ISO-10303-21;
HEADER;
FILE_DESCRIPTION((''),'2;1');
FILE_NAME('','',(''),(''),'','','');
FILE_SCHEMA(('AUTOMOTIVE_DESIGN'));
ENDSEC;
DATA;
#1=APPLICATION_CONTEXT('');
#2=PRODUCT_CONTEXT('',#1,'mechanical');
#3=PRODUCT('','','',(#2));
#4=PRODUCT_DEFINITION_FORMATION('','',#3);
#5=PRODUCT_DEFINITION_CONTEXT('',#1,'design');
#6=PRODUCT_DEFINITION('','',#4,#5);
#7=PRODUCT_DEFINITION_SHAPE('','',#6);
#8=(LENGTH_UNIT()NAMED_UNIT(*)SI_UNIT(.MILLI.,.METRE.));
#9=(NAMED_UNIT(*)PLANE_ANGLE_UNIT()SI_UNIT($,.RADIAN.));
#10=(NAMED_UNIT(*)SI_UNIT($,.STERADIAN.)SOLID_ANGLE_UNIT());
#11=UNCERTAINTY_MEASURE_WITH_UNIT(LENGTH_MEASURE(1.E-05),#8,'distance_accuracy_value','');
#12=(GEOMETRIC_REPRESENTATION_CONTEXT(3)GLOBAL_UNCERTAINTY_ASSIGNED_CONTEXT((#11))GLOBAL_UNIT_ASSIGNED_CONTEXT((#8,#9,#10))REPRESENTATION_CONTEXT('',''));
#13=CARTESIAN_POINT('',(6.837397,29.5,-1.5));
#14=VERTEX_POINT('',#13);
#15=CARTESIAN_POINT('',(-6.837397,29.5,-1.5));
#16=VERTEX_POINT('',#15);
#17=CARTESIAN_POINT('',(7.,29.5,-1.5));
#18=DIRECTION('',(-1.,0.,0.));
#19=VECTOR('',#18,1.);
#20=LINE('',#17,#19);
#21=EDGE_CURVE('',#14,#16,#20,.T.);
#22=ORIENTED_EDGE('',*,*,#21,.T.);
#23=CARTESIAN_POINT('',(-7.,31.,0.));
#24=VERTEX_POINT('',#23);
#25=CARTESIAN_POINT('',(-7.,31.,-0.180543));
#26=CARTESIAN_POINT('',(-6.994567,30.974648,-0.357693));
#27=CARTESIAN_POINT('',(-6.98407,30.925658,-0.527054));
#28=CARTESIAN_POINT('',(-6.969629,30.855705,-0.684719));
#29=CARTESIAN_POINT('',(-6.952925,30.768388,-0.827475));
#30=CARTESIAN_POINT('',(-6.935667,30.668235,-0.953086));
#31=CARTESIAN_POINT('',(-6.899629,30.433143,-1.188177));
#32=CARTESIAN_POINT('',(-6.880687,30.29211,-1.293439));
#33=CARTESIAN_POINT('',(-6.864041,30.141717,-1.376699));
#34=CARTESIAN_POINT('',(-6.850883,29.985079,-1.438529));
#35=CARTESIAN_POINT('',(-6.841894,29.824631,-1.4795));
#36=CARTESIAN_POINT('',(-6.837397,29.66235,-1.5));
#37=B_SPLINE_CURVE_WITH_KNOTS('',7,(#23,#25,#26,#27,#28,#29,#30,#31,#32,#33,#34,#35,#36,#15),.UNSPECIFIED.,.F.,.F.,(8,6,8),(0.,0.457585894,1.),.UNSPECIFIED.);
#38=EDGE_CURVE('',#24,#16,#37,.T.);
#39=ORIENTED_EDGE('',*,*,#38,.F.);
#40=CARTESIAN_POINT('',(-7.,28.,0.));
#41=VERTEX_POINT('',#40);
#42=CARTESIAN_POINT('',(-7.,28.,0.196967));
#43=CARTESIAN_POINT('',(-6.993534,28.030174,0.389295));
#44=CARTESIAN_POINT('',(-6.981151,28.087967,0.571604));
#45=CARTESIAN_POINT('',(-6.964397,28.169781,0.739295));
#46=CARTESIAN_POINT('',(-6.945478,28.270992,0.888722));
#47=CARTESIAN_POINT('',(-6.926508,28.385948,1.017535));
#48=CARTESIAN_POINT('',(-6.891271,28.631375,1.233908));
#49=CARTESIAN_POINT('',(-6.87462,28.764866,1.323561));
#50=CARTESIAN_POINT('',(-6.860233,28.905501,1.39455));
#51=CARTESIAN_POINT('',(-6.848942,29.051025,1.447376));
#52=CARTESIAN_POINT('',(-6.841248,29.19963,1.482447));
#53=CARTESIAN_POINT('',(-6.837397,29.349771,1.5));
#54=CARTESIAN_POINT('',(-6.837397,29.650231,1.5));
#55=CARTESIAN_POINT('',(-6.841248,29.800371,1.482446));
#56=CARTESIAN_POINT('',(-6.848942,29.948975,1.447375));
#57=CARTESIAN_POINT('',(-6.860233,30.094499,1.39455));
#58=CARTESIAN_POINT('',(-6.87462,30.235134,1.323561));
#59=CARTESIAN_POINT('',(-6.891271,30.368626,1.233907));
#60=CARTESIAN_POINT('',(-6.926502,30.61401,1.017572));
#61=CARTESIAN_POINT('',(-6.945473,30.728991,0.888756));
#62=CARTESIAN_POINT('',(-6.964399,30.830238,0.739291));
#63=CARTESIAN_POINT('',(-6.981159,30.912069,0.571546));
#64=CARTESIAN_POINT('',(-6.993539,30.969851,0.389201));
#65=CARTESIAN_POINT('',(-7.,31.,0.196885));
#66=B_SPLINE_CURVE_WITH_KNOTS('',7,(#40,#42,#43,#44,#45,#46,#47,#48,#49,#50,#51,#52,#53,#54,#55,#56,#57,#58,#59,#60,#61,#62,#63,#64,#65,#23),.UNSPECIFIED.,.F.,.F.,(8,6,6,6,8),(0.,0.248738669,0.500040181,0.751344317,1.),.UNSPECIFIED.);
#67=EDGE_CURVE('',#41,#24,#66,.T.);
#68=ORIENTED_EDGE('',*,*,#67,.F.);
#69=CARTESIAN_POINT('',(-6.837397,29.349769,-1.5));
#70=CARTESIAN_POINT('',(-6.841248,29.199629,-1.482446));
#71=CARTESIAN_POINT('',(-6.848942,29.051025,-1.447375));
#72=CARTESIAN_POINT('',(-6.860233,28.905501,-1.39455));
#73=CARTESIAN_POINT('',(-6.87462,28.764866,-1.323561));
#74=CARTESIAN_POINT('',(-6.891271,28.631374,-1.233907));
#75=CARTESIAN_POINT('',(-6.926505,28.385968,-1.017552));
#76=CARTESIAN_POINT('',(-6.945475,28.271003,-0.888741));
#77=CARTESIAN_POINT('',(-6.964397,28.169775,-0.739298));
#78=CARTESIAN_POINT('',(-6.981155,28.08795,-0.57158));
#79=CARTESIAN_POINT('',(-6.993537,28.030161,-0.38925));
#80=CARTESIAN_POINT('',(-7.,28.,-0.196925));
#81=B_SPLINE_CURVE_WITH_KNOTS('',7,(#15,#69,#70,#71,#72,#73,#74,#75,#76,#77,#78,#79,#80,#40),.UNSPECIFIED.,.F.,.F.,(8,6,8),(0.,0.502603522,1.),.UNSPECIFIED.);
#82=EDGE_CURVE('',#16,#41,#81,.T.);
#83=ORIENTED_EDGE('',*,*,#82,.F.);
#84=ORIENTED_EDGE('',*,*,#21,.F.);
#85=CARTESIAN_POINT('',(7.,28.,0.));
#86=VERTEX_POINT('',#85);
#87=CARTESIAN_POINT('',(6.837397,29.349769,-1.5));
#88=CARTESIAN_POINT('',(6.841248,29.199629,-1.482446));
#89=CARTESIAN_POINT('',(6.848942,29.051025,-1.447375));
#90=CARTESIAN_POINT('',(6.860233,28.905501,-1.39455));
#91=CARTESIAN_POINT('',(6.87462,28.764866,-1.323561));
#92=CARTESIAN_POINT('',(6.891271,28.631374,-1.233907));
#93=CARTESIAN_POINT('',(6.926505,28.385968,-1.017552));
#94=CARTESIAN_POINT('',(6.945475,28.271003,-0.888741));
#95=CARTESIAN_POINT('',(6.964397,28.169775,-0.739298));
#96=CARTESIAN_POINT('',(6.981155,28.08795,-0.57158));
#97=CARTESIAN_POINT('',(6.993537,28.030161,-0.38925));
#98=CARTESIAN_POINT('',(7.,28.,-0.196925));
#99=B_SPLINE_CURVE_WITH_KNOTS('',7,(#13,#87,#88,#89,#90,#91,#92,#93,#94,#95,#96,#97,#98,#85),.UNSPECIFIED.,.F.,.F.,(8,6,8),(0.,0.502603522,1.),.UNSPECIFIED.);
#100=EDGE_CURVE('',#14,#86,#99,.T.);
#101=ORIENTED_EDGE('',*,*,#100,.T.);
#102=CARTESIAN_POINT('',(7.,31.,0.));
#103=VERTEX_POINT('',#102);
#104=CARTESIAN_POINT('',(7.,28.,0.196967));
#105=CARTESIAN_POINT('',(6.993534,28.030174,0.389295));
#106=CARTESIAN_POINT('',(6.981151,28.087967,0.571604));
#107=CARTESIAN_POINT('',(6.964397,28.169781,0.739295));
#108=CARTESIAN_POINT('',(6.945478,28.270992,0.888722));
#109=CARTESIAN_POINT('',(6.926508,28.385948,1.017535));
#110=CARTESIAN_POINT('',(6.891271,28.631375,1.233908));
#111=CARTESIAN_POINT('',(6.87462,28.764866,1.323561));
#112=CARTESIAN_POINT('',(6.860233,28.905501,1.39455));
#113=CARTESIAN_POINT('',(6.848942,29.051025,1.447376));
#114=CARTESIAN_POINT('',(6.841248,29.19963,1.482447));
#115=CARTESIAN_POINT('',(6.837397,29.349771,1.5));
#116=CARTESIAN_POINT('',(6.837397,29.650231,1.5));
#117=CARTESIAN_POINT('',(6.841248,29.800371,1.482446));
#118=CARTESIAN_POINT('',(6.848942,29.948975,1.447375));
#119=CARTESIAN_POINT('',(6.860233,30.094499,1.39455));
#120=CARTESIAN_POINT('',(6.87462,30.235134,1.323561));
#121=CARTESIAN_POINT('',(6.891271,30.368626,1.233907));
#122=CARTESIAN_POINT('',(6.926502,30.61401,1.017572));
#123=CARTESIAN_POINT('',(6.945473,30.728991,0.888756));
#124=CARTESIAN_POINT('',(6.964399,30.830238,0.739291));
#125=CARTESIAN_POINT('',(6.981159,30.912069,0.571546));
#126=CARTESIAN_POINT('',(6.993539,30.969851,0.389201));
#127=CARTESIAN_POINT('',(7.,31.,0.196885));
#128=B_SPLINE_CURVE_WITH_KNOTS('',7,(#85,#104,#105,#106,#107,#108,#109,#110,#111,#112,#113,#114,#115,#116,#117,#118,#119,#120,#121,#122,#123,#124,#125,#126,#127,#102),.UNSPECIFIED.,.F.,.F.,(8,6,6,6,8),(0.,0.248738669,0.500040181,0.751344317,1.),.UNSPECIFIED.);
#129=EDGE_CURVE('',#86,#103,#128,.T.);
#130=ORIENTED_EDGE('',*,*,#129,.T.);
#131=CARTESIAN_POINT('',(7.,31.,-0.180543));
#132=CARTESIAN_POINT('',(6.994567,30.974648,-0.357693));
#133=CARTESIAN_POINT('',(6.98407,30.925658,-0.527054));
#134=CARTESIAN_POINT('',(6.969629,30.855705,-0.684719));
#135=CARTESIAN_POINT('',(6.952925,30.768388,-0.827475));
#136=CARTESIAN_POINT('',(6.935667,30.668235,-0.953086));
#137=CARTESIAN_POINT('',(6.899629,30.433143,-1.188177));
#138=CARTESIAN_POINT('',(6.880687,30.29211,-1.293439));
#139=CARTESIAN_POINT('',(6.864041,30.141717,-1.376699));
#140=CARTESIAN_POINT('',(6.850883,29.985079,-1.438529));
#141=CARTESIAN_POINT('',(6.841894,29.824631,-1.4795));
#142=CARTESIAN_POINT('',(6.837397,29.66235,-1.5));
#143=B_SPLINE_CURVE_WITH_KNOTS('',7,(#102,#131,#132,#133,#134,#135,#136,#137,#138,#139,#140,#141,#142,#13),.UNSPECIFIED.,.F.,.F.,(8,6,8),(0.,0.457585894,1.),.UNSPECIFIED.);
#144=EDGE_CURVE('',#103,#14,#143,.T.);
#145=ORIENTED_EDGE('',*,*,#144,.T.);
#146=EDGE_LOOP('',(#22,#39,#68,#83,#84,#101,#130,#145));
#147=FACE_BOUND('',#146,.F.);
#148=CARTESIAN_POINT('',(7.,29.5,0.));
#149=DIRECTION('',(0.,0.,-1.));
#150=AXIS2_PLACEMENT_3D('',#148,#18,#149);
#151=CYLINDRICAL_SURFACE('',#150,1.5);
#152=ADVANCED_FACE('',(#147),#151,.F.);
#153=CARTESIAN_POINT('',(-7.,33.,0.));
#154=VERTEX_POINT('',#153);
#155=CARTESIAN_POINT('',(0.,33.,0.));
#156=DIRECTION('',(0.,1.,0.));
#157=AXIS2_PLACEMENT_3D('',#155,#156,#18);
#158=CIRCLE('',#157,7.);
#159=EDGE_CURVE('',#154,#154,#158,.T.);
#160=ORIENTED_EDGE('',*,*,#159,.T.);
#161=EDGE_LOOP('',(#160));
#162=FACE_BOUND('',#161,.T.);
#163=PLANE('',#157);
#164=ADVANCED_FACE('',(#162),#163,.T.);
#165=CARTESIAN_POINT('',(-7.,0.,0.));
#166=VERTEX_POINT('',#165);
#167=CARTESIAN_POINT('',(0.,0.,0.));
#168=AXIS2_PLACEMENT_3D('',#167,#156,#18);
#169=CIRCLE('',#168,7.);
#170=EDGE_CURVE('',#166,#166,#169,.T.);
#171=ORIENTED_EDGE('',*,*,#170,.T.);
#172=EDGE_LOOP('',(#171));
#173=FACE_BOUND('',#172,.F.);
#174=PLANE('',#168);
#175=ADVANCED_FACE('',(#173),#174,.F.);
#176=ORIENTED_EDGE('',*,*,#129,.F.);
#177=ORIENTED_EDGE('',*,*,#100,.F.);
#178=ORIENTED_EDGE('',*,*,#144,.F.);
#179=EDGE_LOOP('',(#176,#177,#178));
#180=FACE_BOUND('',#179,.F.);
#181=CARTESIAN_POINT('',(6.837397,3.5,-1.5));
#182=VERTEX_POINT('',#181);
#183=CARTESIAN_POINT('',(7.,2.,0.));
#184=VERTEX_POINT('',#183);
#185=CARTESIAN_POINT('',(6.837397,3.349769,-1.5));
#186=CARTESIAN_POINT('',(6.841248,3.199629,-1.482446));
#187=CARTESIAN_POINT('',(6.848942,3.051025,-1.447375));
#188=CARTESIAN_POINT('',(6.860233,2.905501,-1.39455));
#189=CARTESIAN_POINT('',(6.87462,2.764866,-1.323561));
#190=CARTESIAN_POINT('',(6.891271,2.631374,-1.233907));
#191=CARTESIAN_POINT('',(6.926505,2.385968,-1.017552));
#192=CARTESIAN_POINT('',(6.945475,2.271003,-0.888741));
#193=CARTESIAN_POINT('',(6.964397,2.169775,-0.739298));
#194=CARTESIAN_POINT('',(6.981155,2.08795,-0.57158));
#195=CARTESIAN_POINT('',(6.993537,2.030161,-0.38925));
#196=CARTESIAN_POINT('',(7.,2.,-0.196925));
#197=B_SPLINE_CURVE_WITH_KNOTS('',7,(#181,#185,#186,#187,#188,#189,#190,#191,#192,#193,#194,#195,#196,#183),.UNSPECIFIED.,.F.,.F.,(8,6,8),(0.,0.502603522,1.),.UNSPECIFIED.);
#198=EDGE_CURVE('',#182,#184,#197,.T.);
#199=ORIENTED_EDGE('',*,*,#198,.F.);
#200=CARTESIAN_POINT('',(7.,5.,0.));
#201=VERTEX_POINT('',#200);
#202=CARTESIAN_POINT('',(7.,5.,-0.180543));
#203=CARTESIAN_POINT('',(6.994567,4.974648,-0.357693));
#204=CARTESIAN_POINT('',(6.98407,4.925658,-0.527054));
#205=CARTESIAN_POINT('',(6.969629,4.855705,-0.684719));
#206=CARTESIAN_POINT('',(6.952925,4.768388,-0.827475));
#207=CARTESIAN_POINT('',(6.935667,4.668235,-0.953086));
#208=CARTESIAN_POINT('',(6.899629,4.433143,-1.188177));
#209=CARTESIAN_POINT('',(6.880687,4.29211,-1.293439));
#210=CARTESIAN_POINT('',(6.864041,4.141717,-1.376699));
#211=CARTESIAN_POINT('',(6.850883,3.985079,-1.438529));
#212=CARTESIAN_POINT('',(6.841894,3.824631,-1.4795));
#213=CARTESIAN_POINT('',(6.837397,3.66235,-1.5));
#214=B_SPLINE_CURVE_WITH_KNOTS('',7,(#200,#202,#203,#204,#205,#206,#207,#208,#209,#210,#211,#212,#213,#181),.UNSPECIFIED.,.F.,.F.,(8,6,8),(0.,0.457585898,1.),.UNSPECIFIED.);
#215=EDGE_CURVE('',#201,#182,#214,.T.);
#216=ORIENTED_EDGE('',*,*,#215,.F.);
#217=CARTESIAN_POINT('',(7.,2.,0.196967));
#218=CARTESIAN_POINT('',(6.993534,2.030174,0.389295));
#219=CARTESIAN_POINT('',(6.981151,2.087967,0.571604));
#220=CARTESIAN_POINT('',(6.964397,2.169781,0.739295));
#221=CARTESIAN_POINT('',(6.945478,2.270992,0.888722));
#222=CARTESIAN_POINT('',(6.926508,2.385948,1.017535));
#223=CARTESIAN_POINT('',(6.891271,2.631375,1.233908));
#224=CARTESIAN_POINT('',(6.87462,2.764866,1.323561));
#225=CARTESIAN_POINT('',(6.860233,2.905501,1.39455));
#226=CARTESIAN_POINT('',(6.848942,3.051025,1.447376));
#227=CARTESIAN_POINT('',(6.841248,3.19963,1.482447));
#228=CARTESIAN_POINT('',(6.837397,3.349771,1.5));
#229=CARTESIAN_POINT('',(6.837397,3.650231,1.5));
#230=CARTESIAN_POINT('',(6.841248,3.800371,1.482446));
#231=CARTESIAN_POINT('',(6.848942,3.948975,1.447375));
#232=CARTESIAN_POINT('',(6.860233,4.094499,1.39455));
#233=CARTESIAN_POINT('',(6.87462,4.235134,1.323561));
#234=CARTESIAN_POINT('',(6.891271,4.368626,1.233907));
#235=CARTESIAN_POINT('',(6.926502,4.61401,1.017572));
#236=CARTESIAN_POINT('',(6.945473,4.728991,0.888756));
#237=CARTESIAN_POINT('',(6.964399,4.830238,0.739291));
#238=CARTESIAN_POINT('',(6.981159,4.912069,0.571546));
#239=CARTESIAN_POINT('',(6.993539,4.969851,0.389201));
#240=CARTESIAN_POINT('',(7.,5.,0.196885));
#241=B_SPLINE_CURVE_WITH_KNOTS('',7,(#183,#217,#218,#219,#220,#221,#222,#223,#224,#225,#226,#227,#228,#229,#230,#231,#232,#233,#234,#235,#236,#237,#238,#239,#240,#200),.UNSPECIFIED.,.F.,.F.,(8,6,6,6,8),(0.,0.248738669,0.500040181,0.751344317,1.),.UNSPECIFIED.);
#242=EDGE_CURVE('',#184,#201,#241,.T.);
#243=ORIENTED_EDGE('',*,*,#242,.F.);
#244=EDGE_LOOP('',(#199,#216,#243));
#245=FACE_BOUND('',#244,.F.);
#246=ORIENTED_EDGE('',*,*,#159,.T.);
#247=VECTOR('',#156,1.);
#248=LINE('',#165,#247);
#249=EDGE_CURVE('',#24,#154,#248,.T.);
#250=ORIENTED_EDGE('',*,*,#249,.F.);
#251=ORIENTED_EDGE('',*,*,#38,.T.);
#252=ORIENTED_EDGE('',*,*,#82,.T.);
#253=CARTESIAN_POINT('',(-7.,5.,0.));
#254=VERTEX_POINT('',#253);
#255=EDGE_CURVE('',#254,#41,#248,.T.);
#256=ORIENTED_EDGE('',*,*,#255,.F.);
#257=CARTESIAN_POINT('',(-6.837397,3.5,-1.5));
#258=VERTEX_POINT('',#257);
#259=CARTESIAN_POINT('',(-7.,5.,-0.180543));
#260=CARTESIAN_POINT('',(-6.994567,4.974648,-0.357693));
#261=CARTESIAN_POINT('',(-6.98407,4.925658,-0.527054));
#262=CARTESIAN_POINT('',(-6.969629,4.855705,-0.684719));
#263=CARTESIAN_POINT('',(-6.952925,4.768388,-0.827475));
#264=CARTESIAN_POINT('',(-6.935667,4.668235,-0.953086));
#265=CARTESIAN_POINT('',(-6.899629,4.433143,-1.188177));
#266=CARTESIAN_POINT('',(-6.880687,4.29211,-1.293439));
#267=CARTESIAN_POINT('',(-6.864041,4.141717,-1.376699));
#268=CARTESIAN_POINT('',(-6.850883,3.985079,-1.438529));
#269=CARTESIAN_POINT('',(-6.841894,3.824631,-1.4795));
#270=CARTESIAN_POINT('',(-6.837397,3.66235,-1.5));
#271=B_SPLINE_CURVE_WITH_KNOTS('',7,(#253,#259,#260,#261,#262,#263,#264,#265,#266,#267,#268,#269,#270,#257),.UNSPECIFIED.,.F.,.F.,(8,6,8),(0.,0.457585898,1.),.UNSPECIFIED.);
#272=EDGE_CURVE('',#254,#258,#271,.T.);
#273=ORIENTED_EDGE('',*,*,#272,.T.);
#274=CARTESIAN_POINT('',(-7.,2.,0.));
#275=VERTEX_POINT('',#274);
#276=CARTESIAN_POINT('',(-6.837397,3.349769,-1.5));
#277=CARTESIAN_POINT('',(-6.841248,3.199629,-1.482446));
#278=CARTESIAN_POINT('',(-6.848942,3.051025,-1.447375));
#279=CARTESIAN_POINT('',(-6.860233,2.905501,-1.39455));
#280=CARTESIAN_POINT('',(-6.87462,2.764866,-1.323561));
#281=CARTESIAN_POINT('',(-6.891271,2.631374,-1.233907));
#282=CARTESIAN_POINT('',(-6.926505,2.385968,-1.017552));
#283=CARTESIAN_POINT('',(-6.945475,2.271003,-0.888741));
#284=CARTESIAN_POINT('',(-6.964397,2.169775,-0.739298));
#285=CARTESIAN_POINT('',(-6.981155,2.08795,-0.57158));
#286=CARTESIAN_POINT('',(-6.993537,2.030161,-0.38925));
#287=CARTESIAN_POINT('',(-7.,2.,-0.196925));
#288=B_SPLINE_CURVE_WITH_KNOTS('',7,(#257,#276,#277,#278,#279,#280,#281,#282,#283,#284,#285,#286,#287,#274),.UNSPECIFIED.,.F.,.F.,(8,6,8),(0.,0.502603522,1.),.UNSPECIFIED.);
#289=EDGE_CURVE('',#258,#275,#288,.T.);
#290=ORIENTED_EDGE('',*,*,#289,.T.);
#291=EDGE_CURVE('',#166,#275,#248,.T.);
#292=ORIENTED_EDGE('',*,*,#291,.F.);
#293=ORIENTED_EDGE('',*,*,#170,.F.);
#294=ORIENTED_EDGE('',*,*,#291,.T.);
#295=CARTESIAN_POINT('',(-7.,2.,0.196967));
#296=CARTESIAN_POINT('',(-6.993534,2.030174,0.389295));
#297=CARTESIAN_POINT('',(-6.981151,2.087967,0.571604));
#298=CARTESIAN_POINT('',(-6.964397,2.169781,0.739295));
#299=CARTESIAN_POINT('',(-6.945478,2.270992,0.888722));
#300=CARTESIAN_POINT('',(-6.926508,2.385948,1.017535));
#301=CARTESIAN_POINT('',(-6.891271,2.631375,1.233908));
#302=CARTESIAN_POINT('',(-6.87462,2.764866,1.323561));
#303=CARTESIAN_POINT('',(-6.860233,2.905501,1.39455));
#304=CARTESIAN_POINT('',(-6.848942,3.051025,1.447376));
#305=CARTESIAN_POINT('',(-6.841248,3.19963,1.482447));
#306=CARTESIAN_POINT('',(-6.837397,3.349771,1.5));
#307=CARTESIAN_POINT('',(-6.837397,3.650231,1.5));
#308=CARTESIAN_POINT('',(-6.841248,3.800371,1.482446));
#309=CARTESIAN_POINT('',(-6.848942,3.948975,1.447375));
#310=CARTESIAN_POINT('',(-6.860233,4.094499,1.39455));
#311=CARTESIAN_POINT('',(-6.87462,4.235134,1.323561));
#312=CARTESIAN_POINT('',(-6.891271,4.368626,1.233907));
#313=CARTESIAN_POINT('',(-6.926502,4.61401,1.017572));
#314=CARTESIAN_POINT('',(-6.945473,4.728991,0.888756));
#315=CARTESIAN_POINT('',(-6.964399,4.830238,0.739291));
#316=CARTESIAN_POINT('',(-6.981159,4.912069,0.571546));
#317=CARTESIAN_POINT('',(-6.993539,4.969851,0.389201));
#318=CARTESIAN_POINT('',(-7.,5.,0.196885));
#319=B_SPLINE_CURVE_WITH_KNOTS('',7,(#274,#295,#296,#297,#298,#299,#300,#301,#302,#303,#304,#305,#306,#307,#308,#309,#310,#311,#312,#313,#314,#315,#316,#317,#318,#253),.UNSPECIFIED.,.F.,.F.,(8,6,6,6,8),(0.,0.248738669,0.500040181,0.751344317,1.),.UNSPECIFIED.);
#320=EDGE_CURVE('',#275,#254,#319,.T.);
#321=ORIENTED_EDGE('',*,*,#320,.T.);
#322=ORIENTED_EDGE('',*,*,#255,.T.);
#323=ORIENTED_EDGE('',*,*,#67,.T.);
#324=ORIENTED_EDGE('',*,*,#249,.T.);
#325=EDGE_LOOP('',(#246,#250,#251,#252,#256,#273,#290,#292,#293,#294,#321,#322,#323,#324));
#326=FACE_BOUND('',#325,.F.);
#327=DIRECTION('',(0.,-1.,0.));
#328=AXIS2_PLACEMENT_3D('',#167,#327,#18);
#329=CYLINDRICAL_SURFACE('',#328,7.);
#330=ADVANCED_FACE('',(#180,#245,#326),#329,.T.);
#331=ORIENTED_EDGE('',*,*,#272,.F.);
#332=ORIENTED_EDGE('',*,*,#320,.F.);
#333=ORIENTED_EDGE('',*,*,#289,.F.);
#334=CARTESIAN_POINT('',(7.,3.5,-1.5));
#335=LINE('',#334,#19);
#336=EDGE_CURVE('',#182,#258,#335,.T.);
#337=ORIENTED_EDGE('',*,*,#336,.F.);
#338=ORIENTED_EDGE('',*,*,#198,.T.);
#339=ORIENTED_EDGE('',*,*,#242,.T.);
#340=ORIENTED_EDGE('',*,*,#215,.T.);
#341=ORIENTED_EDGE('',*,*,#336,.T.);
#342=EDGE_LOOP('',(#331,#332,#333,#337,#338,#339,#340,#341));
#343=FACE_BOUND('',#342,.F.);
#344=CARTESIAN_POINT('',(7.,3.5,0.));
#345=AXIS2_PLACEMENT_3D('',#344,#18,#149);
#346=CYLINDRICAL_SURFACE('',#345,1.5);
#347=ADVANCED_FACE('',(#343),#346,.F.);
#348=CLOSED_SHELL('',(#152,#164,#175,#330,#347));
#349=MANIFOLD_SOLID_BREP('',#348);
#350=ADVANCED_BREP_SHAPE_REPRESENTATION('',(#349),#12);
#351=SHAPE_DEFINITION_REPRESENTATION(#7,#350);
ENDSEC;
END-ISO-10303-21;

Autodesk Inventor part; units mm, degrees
ref_plane "XZ Plane" through (0, 0, 0) normal (0, 1, 0) x (-1, 0, 0)
ref_plane "XY Plane" through (0, 0, 0) normal (0, 0, 1) x (1, 0, 0)
sketch "Sketch1" plane through (0, 0, 0) normal (0, 1, 0) x (-1, 0, 0)
  circle A0 centre (0, 0) radius 7
  dimension "d0" = 14
extrude "Extrusion1" add sketch "Sketch1" along normal blind 33
ref_plane "Work Plane1" through (7, 0, 0) normal (1, 0, 0) x (0, 1, 0)
sketch "Sketch2" plane through (7, 0, 0) normal (1, 0, 0) x (0, 1, 0)
  line L0 (33, -7) -> (33, 7) projected
  line L1 (0, -7) -> (0, 7) projected
  point P0 (0, 0)
  point P1 (29.5, 0)
  point P2 (3.5, 0)
  dimension "d4" = 3.5
  dimension "d5" = 3.5
hole "Hole1" at (7, 29.5, 0) at (7, 3.5, 0) direction (-1, 0, 0) diameter 3 end through all
equation "\"d5\" = d4"
properties part number "2"
